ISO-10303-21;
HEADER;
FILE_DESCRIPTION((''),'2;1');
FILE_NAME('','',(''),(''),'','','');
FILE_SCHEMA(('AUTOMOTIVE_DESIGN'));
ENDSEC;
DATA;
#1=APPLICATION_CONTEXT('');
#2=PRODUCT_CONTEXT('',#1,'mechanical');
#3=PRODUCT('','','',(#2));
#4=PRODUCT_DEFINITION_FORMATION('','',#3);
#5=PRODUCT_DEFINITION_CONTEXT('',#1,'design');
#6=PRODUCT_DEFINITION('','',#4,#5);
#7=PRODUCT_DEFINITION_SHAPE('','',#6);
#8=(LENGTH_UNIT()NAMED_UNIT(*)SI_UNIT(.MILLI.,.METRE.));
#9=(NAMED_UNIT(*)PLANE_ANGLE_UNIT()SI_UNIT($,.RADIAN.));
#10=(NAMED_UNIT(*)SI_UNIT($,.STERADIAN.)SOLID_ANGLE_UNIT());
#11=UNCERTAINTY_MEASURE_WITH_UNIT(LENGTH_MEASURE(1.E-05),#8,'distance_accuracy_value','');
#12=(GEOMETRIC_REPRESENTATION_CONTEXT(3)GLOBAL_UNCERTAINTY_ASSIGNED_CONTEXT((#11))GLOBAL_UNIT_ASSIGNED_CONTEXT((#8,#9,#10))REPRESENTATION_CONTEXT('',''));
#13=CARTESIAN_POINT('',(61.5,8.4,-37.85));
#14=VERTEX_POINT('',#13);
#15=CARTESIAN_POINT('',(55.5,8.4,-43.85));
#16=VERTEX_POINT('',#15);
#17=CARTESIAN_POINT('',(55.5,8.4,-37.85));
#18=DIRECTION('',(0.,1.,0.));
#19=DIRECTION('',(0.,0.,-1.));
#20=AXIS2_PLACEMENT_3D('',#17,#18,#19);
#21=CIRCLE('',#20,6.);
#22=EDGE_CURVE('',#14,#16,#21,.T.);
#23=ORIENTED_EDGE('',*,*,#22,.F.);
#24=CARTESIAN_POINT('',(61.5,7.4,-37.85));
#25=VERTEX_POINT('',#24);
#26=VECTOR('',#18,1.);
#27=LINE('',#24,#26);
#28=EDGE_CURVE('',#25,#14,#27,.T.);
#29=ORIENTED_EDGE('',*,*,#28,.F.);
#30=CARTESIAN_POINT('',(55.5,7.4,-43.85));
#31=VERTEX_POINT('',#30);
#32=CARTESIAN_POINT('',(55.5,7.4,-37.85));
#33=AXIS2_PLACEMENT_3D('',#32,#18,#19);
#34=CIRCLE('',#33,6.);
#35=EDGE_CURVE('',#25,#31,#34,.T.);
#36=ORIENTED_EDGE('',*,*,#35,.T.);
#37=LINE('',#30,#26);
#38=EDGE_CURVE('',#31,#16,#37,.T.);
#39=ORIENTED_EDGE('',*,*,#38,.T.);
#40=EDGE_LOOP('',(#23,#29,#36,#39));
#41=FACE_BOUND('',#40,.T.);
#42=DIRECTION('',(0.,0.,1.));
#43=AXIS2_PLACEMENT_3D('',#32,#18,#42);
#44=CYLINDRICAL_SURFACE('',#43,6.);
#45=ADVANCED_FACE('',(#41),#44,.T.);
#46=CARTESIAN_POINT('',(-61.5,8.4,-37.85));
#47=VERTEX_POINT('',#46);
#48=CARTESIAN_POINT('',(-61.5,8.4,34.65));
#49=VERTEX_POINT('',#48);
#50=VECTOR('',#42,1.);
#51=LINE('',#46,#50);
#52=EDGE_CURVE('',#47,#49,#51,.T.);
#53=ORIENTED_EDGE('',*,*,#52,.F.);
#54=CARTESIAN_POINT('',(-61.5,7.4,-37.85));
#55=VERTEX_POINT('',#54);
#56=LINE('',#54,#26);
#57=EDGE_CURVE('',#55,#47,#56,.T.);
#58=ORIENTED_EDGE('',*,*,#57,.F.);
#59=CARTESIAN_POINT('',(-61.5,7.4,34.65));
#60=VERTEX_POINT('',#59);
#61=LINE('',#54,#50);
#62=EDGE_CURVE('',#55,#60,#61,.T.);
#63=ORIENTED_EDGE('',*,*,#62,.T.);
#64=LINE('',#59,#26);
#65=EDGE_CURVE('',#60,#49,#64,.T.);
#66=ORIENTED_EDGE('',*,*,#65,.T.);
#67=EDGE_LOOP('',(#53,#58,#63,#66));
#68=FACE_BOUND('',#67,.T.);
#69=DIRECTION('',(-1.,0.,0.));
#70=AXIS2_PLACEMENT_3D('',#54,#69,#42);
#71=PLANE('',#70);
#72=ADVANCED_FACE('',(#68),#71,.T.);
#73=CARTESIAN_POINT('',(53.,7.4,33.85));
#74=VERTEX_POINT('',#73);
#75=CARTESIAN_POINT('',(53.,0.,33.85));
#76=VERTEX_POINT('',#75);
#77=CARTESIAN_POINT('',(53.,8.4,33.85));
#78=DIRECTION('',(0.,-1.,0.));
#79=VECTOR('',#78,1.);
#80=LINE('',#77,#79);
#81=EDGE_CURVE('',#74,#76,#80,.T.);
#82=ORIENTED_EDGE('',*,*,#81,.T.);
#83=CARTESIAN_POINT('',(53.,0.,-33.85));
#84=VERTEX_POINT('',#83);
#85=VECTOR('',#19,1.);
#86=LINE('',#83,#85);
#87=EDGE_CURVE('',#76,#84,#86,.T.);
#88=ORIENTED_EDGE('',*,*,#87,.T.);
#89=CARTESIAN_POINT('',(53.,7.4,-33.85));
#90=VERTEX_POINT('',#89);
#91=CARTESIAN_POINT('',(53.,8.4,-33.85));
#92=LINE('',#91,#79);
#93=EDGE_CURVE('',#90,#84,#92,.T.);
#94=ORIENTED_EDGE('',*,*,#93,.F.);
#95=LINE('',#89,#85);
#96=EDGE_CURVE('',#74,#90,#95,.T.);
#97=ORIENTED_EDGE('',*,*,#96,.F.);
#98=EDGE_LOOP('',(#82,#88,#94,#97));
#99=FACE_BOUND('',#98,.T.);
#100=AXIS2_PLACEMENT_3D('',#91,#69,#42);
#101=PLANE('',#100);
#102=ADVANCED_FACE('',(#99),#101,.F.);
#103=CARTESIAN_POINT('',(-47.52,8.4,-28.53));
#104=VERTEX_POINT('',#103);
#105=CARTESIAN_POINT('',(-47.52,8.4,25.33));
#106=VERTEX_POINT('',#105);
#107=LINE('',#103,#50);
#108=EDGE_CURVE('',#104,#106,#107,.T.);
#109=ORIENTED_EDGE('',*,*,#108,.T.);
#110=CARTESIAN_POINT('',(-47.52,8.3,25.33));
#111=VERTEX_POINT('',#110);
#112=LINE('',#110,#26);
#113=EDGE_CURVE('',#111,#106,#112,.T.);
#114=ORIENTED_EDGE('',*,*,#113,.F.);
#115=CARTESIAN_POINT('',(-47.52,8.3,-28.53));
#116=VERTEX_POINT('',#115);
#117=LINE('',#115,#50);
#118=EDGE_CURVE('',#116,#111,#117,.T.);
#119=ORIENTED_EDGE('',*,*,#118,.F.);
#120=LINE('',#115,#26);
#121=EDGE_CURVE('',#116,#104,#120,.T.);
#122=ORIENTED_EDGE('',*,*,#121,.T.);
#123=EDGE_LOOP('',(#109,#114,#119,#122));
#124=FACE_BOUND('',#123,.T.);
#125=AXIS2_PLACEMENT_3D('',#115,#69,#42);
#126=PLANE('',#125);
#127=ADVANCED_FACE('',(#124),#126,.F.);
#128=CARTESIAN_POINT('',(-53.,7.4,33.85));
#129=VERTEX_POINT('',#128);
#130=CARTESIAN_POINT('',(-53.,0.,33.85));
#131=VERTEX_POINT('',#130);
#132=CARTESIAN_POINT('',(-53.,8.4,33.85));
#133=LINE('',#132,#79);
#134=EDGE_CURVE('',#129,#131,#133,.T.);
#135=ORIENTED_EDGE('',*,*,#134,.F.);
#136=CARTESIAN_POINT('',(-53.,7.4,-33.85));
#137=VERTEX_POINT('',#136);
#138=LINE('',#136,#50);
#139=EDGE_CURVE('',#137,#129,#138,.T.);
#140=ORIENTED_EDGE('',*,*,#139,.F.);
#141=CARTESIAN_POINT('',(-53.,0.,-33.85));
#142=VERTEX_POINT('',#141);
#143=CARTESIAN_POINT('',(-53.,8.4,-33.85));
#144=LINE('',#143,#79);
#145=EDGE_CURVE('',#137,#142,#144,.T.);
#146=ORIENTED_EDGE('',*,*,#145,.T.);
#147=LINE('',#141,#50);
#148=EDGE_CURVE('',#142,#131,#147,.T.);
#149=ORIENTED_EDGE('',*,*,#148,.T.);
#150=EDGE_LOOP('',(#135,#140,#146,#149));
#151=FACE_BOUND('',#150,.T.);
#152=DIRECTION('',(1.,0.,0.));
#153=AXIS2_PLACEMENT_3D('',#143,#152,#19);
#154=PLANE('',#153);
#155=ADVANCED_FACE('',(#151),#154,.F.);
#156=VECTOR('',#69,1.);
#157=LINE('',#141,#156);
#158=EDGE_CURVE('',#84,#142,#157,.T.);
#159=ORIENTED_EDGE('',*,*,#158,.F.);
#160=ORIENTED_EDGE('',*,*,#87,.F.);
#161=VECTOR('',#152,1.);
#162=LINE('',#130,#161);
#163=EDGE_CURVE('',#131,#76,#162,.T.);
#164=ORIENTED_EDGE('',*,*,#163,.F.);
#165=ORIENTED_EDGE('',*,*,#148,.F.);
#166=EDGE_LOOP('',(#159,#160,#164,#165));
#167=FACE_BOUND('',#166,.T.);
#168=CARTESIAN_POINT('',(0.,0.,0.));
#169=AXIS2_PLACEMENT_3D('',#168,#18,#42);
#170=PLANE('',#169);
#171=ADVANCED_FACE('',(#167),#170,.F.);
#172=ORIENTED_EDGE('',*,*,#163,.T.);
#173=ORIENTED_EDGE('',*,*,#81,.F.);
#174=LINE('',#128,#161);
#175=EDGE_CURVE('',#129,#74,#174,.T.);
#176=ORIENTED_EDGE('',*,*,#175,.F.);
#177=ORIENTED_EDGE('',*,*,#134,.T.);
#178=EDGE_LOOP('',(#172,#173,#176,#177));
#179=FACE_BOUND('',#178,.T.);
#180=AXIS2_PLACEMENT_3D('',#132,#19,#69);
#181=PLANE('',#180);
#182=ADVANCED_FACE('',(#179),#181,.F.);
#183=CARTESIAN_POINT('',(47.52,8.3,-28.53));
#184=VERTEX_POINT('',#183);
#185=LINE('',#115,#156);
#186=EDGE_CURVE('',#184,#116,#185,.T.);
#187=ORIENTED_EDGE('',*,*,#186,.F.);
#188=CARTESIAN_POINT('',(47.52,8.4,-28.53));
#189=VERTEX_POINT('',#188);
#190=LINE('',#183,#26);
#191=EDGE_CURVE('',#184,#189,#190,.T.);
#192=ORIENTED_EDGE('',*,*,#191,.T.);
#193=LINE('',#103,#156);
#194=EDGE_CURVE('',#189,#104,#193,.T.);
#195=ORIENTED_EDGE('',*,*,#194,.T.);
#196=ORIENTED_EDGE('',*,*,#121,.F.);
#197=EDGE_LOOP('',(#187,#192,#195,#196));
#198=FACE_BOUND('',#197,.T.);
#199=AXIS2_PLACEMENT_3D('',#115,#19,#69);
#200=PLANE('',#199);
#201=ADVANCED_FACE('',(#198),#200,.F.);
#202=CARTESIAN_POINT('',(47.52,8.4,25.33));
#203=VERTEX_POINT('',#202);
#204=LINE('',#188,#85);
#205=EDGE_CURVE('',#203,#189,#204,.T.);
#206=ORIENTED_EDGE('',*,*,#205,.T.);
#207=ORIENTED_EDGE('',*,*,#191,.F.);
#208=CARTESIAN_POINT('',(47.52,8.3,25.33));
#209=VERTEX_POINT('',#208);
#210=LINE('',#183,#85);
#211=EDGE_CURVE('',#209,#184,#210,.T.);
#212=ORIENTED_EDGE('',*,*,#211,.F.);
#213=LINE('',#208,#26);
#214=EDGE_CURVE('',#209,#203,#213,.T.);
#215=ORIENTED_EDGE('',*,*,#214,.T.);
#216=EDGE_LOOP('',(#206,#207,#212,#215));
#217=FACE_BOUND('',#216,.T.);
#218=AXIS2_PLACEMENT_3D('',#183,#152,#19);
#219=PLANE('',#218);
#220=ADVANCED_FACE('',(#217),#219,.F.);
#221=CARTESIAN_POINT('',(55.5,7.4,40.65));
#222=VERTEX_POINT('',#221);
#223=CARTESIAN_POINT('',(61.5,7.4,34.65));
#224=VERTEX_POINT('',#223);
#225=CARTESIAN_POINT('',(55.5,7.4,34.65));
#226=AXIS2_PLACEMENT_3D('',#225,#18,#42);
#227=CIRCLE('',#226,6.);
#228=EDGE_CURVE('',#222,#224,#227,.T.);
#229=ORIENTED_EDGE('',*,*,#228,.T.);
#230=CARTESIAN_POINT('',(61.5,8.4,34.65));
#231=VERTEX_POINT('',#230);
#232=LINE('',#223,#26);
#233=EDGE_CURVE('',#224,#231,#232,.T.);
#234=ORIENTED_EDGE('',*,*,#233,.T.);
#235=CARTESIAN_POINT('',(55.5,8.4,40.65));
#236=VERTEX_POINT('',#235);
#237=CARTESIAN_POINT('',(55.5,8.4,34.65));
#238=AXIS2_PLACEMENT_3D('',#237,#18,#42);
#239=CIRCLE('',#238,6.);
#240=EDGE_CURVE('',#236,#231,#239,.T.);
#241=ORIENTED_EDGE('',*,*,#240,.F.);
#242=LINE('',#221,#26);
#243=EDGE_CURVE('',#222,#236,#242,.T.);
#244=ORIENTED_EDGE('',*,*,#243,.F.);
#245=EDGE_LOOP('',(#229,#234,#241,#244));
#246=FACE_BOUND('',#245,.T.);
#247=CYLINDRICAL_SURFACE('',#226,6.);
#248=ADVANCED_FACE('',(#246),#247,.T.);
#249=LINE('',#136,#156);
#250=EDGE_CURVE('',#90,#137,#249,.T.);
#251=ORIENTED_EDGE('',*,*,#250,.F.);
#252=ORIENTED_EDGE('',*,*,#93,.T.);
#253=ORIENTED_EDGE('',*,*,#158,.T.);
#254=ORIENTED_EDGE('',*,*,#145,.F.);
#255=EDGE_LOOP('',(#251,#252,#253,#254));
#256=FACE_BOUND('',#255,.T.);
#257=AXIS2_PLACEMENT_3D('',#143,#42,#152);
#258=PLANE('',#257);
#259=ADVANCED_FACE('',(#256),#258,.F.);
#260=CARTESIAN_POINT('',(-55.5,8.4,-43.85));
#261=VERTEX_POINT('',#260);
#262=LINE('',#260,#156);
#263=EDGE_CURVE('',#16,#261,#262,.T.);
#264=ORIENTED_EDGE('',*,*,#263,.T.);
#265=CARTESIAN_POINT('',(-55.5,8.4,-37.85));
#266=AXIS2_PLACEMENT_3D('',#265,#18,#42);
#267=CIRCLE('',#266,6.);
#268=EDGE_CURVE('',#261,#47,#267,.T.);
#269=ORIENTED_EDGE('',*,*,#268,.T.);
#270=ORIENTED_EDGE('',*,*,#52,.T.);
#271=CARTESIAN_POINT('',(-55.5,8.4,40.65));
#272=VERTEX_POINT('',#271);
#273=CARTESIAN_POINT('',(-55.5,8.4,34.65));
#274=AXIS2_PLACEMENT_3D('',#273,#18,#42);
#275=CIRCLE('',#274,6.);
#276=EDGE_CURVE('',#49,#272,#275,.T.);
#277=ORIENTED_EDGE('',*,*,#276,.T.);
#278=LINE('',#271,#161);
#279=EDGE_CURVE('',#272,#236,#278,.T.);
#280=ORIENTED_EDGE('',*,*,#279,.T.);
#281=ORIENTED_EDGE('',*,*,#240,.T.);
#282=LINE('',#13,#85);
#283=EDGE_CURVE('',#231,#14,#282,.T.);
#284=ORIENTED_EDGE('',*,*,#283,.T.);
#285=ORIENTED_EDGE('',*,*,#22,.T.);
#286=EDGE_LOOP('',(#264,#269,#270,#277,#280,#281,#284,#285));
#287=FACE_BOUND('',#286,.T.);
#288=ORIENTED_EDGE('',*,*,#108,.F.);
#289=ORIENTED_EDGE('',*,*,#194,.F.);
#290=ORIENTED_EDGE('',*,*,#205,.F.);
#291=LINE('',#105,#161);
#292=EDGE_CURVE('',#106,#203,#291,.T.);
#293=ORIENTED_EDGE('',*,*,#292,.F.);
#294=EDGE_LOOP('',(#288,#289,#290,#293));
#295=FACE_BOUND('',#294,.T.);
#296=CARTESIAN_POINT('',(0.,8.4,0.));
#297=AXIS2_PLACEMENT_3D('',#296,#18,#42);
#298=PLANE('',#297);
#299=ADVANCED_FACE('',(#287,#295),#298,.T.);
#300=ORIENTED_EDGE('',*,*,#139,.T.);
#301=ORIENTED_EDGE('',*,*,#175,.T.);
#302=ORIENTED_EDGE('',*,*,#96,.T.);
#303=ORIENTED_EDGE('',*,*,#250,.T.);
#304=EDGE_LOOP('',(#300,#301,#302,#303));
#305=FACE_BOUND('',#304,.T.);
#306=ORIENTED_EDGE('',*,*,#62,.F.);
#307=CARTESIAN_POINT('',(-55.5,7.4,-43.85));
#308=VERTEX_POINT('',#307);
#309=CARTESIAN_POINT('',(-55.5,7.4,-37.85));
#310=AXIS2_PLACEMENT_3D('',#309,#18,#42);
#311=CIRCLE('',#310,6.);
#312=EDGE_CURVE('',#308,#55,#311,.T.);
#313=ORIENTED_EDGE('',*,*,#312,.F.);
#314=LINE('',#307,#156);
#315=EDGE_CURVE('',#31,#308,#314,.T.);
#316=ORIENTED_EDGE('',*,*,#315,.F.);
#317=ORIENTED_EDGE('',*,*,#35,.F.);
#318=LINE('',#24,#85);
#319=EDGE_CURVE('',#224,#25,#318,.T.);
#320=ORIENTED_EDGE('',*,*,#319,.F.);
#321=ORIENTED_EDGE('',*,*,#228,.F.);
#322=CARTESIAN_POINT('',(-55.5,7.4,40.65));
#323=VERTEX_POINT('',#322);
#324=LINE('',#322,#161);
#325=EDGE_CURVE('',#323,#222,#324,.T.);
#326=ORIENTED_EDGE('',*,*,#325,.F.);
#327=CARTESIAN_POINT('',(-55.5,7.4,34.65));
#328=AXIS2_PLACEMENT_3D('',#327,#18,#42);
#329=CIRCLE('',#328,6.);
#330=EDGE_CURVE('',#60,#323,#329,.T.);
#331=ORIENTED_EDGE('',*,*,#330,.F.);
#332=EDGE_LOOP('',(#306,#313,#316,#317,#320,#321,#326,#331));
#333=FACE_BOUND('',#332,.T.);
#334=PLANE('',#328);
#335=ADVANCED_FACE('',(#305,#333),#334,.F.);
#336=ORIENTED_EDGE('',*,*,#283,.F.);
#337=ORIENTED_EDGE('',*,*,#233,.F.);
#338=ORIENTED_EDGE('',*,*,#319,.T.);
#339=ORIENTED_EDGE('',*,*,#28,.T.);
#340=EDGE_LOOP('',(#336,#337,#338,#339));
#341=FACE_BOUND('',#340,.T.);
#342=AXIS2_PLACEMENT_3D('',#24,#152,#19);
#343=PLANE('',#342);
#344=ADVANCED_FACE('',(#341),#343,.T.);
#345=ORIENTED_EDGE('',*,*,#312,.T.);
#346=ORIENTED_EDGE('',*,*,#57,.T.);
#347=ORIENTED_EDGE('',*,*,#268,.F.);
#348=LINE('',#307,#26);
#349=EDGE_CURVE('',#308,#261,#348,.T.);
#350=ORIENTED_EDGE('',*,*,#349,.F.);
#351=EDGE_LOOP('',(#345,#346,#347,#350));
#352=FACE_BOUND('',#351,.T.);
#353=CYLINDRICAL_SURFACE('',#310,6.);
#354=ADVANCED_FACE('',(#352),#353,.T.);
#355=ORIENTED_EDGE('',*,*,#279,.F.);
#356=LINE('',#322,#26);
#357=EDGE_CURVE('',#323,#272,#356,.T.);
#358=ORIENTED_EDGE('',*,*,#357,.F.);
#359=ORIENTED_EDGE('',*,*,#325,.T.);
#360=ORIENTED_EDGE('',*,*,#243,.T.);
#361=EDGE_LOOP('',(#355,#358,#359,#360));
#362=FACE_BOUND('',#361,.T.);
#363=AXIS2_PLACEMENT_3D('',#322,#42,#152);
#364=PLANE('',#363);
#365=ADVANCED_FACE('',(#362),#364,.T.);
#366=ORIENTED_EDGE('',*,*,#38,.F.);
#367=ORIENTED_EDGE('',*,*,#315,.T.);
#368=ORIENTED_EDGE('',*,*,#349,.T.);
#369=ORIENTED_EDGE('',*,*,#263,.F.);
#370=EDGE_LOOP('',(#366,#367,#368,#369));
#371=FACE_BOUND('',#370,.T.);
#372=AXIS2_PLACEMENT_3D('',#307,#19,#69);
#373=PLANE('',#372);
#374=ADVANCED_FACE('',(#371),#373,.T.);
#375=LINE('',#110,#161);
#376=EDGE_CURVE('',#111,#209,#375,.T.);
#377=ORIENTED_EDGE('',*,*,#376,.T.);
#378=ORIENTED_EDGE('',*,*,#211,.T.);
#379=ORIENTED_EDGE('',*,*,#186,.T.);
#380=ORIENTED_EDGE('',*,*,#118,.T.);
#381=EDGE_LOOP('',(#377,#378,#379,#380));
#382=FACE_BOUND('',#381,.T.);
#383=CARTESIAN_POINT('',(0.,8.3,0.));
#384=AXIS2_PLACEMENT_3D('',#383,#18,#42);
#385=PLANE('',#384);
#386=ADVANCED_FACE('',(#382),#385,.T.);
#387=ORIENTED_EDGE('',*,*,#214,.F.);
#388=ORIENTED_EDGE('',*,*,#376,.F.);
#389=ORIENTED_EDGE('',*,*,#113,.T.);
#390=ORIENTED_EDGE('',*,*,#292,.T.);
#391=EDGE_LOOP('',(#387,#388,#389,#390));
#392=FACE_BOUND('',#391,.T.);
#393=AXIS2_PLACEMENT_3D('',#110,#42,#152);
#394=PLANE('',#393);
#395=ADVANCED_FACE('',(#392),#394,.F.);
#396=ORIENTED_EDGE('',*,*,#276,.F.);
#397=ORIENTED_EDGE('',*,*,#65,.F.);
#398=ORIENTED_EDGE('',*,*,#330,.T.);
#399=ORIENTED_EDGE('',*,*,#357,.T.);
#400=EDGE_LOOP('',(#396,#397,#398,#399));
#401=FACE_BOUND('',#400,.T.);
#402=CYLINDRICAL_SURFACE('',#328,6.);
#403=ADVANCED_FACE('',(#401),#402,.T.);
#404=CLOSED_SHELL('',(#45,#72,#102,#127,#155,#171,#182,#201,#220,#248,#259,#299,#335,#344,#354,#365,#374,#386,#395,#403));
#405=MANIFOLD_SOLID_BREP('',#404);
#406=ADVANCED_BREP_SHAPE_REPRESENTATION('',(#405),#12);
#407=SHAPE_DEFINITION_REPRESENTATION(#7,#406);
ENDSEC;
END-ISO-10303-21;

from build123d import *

# Parameters (mm, degrees)
SKETCH2_W           = 106
SKETCH2_H           = 67.7
BOSS_EXTRUDE1_DEPTH = 8.4
BOSS_EXTRUDE2_DEPTH = 1
SKETCH5_W           = 95.04
SKETCH5_H           = 53.86
CUT_EXTRUDE1_DEPTH  = 0.1


with BuildPart() as part:
    # Sketch2 → Boss-Extrude1 (new body)
    with BuildSketch(Plane(origin=(0, 0, 0), x_dir=(1, 0, 0), z_dir=(0, 1, 0))):
        Rectangle(SKETCH2_W, SKETCH2_H)
    extrude(amount=BOSS_EXTRUDE1_DEPTH)

    # Sketch3 → Boss-Extrude2 (add)
    with BuildSketch(Plane(origin=(0, 8.4, 0), x_dir=(1, 0, 0), z_dir=(0, 1, 0))):
        with BuildLine():
            Line((-55.5, 43.85), (55.5, 43.85))
            ThreePointArc((55.5, 43.85), (59.742640687, 42.092640687), (61.5, 37.85))
            Line((61.5, 37.85), (61.5, -34.65))
            ThreePointArc((61.5, -34.65), (59.742640687, -38.892640687), (55.5, -40.65))
            Line((55.5, -40.65), (-55.5, -40.65))
            ThreePointArc((-55.5, -40.65), (-59.742640687, -38.892640687), (-61.5, -34.65))
            Line((-61.5, -34.65), (-61.5, 37.85))
            ThreePointArc((-61.5, 37.85), (-59.742640687, 42.092640687), (-55.5, 43.85))
        make_face()
    extrude(amount=-BOSS_EXTRUDE2_DEPTH)

    # Sketch5 → Cut-Extrude1 (cut)
    with BuildSketch(Plane(origin=(0, 8.4, 0), x_dir=(1, 0, 0), z_dir=(0, 1, 0))):
        with Locations((0, 1.6)):
            Rectangle(SKETCH5_W, SKETCH5_H)
    extrude(amount=-CUT_EXTRUDE1_DEPTH, mode=Mode.SUBTRACT)


solid = part.part
